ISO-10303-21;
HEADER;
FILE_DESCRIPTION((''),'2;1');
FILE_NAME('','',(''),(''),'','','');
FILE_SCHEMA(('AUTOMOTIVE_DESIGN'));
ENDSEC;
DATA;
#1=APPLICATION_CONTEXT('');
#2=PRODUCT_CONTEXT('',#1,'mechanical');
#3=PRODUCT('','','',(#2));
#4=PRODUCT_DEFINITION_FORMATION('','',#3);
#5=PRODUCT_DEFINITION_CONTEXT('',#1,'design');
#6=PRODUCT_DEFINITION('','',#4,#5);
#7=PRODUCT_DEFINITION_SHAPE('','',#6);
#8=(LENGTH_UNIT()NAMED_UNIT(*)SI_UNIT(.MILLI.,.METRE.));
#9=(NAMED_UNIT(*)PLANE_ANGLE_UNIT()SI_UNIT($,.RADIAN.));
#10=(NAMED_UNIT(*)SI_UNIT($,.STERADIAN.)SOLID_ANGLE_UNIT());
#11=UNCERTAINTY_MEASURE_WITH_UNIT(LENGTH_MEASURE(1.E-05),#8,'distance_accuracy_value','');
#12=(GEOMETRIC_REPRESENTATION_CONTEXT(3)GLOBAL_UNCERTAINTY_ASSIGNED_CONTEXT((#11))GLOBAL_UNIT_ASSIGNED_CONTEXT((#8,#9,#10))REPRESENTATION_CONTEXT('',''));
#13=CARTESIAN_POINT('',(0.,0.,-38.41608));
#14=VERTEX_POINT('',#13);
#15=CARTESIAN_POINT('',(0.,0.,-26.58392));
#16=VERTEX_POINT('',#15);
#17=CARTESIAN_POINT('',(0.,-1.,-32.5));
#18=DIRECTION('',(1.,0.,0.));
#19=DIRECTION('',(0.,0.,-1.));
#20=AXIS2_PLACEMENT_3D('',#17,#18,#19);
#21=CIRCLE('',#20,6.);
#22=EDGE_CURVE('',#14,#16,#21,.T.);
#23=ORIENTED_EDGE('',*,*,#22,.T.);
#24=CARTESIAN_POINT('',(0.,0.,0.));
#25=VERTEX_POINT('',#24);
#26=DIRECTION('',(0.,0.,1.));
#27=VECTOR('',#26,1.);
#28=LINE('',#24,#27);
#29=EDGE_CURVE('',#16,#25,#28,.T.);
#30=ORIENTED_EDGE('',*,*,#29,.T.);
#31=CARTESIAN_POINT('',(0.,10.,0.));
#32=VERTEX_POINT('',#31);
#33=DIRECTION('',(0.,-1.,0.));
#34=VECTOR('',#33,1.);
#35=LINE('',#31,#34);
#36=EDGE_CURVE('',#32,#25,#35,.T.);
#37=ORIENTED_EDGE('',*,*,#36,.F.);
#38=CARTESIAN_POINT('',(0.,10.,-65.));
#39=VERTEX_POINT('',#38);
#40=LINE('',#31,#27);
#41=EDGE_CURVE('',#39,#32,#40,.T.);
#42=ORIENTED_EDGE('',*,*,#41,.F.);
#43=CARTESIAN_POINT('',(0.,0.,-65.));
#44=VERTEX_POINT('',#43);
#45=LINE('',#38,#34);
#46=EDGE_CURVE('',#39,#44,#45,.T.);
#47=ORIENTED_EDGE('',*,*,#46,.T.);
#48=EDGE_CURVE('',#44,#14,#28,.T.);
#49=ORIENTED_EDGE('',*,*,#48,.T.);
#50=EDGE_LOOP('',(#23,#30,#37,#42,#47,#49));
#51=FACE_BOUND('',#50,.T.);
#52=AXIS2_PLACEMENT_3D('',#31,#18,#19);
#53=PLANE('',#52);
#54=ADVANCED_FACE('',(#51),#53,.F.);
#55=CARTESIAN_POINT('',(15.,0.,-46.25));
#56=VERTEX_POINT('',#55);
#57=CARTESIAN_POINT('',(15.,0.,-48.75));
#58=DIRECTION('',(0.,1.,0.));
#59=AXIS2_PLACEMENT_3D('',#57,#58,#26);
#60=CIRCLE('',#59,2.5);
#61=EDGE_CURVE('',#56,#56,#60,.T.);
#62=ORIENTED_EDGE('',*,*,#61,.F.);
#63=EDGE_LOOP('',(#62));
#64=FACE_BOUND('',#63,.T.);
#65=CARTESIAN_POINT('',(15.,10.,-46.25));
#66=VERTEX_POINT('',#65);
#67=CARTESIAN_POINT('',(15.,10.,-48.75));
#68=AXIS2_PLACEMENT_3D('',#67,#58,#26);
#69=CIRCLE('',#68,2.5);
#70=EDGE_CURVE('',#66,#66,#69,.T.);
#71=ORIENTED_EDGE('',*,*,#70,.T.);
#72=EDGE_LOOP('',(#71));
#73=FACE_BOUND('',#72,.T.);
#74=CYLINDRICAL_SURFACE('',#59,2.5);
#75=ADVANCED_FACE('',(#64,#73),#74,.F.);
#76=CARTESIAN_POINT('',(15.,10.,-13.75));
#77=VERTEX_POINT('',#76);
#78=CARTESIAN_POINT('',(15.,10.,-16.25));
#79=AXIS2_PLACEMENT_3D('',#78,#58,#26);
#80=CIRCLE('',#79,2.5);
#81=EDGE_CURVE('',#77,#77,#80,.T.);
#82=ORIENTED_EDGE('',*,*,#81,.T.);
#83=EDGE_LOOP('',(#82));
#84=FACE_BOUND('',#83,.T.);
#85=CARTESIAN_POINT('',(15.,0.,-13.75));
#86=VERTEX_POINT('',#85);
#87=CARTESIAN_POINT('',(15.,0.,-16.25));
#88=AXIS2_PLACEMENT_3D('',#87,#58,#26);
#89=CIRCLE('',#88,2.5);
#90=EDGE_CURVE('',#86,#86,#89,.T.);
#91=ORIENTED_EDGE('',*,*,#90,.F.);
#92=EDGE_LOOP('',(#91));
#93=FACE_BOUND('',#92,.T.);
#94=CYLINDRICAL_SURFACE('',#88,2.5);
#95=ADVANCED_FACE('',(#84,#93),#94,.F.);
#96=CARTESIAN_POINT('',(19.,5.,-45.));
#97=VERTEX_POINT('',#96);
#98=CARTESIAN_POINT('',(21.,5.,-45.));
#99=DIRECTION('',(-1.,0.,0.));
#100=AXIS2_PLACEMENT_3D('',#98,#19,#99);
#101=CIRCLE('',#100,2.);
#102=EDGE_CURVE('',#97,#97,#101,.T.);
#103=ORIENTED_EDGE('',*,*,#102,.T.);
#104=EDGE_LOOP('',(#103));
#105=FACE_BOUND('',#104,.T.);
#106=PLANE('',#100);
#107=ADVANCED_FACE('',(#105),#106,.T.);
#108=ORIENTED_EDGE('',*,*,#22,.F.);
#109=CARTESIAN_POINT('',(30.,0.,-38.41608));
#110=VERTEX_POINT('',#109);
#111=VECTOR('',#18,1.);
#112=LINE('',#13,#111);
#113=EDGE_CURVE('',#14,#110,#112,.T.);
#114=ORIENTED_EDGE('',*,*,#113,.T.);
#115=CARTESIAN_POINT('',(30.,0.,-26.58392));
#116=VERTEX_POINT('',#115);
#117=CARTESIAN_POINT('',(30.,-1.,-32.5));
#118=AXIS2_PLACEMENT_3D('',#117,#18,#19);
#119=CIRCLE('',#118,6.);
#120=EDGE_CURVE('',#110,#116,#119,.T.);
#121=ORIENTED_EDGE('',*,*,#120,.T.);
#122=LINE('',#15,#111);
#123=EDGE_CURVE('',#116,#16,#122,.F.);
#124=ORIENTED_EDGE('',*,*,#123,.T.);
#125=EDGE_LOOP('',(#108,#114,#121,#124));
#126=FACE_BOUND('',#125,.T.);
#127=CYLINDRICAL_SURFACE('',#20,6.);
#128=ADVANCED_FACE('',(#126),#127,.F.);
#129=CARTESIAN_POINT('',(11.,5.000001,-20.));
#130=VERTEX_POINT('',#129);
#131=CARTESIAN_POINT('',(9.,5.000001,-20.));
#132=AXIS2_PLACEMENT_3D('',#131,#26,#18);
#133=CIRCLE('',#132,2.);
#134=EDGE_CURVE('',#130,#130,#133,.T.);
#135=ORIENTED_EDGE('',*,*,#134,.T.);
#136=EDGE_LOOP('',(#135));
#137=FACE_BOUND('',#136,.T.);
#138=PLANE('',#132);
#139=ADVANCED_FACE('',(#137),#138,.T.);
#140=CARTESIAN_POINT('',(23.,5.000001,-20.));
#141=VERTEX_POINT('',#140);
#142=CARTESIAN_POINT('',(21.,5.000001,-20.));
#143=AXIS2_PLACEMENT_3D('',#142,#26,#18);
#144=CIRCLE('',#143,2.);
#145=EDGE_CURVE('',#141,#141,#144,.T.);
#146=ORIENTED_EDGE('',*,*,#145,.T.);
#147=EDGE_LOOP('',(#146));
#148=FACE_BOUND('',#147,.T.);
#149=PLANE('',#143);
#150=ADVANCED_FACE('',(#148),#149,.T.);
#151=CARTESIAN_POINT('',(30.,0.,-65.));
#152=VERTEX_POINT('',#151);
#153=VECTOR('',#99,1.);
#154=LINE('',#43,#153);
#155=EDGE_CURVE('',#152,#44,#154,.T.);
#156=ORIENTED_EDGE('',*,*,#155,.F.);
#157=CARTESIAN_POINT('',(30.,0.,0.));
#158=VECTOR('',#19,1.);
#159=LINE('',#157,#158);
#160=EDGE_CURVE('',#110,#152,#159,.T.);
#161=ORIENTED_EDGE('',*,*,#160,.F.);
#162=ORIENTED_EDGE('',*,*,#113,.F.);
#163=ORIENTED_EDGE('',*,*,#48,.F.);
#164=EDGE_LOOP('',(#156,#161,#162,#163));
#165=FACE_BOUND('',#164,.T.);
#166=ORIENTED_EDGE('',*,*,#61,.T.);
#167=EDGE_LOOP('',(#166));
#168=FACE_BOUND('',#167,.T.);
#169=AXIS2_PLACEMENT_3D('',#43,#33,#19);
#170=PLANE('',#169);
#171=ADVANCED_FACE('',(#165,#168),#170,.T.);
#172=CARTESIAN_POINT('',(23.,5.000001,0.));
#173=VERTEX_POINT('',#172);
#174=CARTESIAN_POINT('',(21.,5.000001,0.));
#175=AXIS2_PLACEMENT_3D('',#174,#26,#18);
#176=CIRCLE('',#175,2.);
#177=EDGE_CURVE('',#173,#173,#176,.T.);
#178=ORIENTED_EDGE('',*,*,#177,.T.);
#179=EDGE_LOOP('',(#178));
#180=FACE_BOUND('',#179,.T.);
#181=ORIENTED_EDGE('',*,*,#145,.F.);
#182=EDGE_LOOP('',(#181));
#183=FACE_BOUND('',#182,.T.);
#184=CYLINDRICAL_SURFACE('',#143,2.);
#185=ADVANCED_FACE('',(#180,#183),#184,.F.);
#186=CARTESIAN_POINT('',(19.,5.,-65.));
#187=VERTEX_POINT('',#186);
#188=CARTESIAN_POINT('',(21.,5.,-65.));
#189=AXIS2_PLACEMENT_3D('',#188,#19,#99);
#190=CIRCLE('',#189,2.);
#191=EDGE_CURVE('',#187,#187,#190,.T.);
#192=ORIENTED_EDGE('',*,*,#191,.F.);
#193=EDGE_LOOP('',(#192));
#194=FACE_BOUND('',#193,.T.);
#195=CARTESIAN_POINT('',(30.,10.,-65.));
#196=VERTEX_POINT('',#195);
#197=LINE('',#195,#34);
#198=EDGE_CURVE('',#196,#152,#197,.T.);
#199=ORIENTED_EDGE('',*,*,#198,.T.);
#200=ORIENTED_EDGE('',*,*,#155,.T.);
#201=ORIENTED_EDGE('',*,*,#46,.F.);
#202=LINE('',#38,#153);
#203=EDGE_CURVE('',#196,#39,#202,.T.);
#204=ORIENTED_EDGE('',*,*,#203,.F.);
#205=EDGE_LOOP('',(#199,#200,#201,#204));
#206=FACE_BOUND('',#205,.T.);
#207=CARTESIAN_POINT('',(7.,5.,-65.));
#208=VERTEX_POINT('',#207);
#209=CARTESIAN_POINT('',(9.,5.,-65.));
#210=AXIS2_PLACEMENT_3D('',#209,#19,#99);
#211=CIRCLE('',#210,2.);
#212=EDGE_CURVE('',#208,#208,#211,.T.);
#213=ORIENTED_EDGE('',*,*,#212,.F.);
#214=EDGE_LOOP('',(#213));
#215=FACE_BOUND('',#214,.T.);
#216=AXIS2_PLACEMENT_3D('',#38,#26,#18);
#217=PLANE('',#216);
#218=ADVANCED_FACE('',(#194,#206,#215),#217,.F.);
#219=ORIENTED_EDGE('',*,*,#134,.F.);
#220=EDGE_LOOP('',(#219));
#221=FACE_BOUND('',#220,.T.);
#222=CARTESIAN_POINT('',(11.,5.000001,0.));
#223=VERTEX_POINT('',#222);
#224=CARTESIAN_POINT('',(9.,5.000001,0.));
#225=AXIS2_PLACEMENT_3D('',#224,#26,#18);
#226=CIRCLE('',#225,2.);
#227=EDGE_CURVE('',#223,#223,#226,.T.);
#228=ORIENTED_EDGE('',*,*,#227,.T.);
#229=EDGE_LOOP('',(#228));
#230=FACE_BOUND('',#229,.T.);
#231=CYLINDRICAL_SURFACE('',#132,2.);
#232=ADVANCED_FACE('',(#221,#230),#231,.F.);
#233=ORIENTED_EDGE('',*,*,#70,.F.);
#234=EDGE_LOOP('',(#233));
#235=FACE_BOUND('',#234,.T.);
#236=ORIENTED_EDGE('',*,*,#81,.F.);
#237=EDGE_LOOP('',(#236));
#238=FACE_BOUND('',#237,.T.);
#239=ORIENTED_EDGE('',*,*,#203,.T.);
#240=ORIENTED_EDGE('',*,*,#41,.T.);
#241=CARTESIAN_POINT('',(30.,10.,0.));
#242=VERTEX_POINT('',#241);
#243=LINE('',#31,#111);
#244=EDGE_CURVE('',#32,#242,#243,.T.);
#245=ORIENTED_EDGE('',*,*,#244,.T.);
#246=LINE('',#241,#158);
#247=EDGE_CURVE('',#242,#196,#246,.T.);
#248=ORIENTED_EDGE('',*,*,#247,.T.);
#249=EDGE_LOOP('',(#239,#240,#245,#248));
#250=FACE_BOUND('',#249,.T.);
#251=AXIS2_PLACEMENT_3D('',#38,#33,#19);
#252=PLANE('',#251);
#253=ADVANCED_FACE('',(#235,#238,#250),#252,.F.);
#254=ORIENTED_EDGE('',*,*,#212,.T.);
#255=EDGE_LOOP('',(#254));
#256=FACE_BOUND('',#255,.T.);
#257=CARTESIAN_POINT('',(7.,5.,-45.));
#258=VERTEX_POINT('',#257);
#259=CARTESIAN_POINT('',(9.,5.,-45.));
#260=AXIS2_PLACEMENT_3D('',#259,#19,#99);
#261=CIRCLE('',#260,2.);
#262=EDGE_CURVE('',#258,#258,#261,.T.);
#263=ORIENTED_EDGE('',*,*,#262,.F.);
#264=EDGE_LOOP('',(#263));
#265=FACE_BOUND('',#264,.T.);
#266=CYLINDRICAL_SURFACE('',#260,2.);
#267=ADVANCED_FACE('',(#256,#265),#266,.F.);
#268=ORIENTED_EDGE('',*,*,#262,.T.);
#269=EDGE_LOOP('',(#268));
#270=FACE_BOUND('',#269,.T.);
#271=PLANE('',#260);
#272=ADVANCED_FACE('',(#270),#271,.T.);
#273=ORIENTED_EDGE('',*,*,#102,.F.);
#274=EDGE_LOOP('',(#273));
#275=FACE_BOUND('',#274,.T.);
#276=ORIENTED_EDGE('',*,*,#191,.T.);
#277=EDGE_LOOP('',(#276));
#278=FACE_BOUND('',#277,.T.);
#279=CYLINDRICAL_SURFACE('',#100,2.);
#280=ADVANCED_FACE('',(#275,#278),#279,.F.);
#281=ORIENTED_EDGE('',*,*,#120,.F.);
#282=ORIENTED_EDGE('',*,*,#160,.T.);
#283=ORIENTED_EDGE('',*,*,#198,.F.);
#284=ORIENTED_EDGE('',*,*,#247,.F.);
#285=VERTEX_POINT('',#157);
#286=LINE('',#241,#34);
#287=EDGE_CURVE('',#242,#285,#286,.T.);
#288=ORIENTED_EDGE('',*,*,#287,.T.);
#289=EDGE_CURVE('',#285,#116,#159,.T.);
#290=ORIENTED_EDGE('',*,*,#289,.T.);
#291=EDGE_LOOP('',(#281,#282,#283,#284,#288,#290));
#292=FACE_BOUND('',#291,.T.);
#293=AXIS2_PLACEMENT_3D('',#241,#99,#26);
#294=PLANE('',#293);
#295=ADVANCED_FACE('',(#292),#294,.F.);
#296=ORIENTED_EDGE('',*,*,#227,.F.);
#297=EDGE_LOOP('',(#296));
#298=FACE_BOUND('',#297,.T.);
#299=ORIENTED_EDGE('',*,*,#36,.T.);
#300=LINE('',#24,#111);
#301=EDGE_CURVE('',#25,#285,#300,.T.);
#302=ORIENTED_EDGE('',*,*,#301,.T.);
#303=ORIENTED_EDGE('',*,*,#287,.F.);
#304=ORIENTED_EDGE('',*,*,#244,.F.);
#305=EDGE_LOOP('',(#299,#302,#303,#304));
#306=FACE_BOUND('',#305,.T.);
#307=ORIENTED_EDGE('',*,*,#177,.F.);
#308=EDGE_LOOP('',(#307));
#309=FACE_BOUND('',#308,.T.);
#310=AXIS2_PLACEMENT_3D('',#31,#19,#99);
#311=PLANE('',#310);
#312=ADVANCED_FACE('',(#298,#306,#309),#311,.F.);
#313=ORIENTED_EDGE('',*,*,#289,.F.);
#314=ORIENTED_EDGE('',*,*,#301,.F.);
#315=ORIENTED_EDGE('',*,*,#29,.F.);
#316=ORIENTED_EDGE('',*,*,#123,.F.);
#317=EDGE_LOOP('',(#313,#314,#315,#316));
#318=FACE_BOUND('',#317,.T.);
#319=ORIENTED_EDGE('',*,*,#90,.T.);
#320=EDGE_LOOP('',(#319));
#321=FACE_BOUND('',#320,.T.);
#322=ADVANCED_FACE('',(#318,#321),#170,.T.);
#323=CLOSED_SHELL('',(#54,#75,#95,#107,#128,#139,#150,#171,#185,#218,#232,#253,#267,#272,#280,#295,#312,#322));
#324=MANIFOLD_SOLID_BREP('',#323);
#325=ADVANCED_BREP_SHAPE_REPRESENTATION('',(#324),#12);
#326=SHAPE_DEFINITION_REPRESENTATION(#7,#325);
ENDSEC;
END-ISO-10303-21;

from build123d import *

# Parameters (mm, degrees)
SKETCH_1_W            = 30
SKETCH_1_H            = 65
EXTRUDE_1_DEPTH       = 10
SKETCH_2_R            = 6
CUT_EXTRUDE_2_DEPTH   = 73.284161474
SKETCH_3_R            = 2.5
CUT_EXTRUDE_3_DEPTH   = 73.284161474
SKETCH_4_R            = 2
CUT_EXTRUDE_1_DEPTH   = 20
CUT_EXTRUDE_START     = -20
SKETCH_5_R            = 2
CUT_EXTRUDE_2_2_DEPTH = 20


with BuildPart() as part:
    # Эскиз1 → Вытянуть1 (new body)
    with BuildSketch(Plane(origin=(0, 0, 0), x_dir=(1, 0, 0), z_dir=(0, 1, 0))):
        with Locations((15, 32.5)):
            Rectangle(SKETCH_1_W, SKETCH_1_H)
    extrude(amount=EXTRUDE_1_DEPTH)

    # Эскиз2 → Cut-Extrude 2 (cut, through all)
    with BuildSketch(Plane(origin=(30, 0, 0), x_dir=(0, 0, -1), z_dir=(1, 0, 0))):
        with Locations((32.5, -1)):
            Circle(SKETCH_2_R)
    extrude(amount=-CUT_EXTRUDE_2_DEPTH, mode=Mode.SUBTRACT)

    # Эскиз3 → Вытянуть3 (cut, through all)
    with BuildSketch(Plane(origin=(0, 10, 0), x_dir=(1, 0, 0), z_dir=(0, 1, 0))):
        with Locations(Location((15, 48.75, 0), (0, 0, 270))):
            Circle(SKETCH_3_R)
        with Locations(Location((15, 16.25, 0), (0, 0, 270))):
            Circle(SKETCH_3_R)
    extrude(amount=-CUT_EXTRUDE_3_DEPTH, mode=Mode.SUBTRACT)

    # Эскиз4 → Вырез-Вытянуть1 (cut)
    with BuildSketch(Plane.XY):
        with Locations((9, 5.000000757)):
            Circle(SKETCH_4_R)
        with Locations((21, 5.000000757)):
            Circle(SKETCH_4_R)
    extrude(amount=-CUT_EXTRUDE_1_DEPTH, mode=Mode.SUBTRACT)

    # Эскиз5 → Cut-Extrude 2 2 (cut)
    with BuildSketch(Plane(origin=(0, 0, -65), x_dir=(-1, 0, 0), z_dir=(0, 0, -1)).offset(CUT_EXTRUDE_START)):
        with Locations(Location((-20.999999999, 5.000000369, 0), (0, 0, 179.99998886))):
            Circle(SKETCH_5_R)
        with Locations(Location((-8.999999999, 5.000000369, 0), (0, 0, 179.99998886))):
            Circle(SKETCH_5_R)
    extrude(amount=CUT_EXTRUDE_2_2_DEPTH, mode=Mode.SUBTRACT)


solid = part.part
